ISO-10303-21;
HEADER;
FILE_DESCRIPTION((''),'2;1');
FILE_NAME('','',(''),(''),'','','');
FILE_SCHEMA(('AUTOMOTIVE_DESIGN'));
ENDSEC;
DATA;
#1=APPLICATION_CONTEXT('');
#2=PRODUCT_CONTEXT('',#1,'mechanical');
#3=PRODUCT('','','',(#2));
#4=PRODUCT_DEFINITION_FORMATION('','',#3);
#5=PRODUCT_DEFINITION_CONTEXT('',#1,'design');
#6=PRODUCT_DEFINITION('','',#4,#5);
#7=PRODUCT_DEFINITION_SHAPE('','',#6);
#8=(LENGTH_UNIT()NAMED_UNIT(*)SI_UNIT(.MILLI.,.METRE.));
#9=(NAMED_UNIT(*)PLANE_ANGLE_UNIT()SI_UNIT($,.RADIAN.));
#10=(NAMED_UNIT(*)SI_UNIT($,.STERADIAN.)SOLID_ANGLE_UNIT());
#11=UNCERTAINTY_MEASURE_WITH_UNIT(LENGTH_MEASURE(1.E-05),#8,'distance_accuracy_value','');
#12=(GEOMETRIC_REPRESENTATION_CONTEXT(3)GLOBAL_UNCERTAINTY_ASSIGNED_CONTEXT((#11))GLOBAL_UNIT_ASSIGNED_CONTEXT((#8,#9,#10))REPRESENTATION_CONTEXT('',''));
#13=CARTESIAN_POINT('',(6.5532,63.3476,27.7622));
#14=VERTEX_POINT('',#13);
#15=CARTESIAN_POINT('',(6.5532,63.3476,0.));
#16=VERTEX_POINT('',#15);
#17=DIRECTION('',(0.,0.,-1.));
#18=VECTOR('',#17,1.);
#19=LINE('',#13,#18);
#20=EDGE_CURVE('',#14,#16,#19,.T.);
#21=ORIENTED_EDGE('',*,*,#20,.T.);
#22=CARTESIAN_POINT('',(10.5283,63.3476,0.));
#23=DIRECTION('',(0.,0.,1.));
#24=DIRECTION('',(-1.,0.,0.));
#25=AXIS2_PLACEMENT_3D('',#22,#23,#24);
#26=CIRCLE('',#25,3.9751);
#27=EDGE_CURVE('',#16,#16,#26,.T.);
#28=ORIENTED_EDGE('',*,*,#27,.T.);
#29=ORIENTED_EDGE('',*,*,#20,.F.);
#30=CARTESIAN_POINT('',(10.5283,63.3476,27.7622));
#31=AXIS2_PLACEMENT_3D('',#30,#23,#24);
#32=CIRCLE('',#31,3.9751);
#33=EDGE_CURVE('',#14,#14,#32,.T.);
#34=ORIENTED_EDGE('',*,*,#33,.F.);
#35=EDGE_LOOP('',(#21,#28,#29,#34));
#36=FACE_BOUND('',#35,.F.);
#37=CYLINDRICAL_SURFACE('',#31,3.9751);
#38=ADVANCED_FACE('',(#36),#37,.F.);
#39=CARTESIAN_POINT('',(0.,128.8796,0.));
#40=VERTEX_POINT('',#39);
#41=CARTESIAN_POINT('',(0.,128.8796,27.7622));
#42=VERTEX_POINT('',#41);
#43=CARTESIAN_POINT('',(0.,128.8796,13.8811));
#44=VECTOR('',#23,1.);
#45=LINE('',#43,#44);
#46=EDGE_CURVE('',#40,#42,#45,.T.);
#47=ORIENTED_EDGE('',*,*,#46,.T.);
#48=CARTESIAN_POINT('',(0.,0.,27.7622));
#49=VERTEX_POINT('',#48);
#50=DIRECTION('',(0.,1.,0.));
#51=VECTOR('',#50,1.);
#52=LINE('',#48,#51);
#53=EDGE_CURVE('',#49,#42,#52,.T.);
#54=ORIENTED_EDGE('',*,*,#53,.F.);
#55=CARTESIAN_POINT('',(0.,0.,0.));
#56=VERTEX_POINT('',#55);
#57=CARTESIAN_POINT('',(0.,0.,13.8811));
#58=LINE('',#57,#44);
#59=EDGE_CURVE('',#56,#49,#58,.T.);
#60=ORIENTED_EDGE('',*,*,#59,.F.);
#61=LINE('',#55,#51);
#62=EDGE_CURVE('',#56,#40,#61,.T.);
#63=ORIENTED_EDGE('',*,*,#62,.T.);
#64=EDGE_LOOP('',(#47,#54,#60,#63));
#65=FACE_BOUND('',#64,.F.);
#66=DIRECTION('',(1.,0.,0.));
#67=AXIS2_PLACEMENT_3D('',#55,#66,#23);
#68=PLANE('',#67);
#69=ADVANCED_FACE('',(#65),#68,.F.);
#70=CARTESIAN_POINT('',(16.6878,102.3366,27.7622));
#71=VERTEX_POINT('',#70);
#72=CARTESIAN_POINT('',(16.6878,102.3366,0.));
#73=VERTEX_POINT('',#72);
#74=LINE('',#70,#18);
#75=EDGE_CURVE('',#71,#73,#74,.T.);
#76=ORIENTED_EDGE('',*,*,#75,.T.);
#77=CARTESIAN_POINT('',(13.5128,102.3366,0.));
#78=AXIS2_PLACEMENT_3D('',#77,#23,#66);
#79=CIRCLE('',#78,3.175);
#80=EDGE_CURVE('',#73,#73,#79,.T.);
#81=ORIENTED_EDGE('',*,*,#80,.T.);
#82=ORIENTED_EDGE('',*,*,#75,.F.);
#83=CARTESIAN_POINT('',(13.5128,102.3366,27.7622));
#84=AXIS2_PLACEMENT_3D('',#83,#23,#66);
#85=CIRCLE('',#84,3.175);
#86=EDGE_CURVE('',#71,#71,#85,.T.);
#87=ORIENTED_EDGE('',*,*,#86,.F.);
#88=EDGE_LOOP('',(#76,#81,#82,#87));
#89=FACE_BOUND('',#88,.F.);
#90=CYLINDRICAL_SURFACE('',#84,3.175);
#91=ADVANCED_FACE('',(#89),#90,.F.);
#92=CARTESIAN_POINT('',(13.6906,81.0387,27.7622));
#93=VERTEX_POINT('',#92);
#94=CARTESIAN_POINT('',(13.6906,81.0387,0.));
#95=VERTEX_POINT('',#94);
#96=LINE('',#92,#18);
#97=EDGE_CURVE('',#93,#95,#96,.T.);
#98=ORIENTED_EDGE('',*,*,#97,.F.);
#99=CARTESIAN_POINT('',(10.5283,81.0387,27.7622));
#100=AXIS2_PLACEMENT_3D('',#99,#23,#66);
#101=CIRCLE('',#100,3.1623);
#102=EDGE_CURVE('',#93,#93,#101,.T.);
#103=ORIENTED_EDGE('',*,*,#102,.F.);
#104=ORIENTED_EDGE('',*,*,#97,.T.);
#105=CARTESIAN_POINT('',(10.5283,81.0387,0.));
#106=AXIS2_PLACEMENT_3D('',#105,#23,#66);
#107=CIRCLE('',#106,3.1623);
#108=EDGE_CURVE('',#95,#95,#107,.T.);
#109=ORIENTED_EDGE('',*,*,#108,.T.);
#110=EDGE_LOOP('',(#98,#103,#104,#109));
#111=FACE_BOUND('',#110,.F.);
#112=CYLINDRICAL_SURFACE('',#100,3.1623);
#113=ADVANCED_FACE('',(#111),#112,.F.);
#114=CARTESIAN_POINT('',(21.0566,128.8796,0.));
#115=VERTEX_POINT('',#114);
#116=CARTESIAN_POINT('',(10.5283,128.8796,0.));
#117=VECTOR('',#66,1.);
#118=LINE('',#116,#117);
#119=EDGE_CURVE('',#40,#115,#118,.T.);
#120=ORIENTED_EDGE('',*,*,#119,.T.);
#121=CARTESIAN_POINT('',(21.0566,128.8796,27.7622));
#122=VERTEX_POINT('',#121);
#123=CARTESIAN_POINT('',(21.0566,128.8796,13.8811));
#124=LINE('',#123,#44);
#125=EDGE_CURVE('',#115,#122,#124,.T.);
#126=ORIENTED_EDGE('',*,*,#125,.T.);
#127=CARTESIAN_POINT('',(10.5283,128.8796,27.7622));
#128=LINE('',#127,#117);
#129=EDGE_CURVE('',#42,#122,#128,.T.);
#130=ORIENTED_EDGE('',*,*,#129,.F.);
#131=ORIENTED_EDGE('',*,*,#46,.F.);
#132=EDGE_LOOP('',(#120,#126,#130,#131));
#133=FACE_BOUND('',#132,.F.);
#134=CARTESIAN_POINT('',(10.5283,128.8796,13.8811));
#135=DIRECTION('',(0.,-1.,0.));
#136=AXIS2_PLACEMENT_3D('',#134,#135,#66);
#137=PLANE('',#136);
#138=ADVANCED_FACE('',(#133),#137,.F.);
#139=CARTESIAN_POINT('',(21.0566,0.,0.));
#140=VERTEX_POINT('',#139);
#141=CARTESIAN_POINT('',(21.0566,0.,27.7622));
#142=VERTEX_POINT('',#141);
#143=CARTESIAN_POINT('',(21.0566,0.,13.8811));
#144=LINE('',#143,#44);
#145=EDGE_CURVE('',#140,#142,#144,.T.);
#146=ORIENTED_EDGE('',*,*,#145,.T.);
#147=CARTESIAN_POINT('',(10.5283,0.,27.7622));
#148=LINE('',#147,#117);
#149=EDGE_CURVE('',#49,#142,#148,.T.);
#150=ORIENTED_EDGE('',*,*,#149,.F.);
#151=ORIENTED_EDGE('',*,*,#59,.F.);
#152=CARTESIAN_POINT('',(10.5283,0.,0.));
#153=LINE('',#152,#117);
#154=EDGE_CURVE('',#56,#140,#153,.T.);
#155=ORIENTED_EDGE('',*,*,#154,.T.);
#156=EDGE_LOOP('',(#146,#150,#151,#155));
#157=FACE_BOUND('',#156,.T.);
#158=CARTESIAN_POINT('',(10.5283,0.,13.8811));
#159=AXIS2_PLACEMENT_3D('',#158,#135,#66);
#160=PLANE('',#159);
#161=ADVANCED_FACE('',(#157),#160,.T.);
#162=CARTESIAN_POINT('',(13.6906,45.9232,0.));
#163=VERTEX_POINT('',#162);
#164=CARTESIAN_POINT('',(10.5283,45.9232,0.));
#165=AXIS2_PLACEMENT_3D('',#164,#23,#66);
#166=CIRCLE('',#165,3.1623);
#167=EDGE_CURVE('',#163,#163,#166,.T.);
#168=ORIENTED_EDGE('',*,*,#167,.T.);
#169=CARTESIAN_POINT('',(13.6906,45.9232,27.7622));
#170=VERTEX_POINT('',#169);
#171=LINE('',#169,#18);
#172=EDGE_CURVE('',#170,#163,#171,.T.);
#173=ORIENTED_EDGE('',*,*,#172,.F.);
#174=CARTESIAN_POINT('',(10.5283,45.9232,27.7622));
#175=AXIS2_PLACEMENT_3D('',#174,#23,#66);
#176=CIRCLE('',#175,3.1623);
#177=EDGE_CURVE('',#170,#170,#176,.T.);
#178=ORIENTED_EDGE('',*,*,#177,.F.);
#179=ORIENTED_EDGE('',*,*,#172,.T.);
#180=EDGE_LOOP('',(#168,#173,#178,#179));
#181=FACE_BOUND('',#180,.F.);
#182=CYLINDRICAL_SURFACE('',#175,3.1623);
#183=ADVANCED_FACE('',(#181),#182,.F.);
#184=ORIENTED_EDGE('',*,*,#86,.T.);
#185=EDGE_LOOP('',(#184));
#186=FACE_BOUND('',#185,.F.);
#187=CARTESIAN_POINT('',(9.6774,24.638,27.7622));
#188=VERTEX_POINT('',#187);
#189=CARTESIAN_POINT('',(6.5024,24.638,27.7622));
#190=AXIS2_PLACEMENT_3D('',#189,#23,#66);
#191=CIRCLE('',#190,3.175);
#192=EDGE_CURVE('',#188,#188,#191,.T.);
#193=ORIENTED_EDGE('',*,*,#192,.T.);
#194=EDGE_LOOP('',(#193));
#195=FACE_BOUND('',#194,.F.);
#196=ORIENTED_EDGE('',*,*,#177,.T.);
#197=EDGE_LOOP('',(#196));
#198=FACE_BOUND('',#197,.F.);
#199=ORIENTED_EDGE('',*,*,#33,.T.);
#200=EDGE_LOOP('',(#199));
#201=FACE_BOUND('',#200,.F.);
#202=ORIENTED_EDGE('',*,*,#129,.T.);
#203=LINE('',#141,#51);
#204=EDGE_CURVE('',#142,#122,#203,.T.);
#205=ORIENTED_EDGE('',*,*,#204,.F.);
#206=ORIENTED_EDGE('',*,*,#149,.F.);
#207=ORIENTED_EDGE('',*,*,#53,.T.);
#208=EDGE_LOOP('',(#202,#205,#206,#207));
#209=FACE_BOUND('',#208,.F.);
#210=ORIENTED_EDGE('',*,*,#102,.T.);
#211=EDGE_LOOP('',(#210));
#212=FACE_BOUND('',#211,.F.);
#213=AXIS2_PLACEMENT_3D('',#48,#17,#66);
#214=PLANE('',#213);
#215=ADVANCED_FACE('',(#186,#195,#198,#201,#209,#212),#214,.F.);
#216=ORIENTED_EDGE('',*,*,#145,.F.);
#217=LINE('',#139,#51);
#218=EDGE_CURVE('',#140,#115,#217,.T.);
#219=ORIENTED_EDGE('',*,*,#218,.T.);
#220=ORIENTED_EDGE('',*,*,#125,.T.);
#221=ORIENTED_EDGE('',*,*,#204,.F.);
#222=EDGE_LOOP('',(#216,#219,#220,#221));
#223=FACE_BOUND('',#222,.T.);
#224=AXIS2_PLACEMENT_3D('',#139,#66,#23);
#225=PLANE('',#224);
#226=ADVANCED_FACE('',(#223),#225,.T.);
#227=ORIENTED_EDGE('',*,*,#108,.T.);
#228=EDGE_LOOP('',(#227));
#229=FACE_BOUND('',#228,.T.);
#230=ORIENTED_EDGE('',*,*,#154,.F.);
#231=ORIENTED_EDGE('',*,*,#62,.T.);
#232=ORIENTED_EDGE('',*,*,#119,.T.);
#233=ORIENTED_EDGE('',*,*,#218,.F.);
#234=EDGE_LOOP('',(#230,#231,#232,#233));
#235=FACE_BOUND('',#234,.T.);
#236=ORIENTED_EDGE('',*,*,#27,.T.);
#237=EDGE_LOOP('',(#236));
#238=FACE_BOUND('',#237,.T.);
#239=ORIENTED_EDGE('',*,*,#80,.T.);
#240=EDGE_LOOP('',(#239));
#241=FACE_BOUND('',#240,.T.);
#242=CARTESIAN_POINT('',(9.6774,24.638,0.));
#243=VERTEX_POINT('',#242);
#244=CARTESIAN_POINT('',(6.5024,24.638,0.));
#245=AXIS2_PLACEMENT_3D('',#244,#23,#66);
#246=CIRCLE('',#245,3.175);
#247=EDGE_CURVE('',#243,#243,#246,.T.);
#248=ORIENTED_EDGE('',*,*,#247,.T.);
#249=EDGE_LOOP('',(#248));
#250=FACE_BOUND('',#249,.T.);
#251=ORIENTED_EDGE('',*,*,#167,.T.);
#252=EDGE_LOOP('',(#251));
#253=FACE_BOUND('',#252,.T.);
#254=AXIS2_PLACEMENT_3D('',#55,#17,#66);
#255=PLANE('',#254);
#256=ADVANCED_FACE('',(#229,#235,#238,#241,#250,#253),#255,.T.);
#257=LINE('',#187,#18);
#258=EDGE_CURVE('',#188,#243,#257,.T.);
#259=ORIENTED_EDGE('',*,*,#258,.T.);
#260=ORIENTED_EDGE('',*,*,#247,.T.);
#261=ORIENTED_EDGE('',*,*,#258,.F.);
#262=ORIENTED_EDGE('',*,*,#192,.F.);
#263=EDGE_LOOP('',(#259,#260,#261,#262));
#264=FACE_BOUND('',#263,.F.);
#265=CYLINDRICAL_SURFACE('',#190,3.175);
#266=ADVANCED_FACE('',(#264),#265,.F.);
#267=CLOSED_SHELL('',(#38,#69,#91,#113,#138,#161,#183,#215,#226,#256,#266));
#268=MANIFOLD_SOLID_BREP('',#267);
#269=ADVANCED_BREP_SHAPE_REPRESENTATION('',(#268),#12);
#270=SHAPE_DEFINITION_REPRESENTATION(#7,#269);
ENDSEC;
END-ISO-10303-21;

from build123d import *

# Parameters (mm, degrees)
F0_W     = 21.0566
F0_H     = 27.7622
F1_DEPTH = 128.8796
F2_R     = 3.1623
F2_R_2   = 3.175
F3_DEPTH = 27.7632


with BuildPart() as f1:
    # F0 (on Front) → F1 (new body)
    with BuildSketch(Plane.XZ):
        with Locations((10.5283, 13.8811)):
            Rectangle(F0_W, F0_H)
    extrude(amount=-F1_DEPTH)

    # F2 (on face) → F3 (cut, through all)
    with BuildSketch(Plane.XY.offset(27.7622)):
        with BuildLine():
            Line((10.5283, 63.3476), (14.5034, 63.3476))
            ThreePointArc((14.5034, 63.3476), (10.5283, 67.3227), (6.5532, 63.3476))
            Line((6.5532, 63.3476), (10.5283, 63.3476))
        make_face()
        with BuildLine():
            ThreePointArc((6.5532, 63.3476), (10.5283, 59.3725), (14.5034, 63.3476))
            Line((14.5034, 63.3476), (10.5283, 63.3476))
            Line((10.5283, 63.3476), (6.5532, 63.3476))
        make_face()
        with Locations((10.5283, 45.9232)):
            Circle(F2_R)
        with Locations((10.5283, 81.0387)):
            Circle(F2_R)
        with Locations((6.5024, 24.638)):
            Circle(F2_R_2)
        with Locations((13.5128, 102.3366)):
            Circle(F2_R_2)
    extrude(amount=-F3_DEPTH, mode=Mode.SUBTRACT)


solid = f1.part
